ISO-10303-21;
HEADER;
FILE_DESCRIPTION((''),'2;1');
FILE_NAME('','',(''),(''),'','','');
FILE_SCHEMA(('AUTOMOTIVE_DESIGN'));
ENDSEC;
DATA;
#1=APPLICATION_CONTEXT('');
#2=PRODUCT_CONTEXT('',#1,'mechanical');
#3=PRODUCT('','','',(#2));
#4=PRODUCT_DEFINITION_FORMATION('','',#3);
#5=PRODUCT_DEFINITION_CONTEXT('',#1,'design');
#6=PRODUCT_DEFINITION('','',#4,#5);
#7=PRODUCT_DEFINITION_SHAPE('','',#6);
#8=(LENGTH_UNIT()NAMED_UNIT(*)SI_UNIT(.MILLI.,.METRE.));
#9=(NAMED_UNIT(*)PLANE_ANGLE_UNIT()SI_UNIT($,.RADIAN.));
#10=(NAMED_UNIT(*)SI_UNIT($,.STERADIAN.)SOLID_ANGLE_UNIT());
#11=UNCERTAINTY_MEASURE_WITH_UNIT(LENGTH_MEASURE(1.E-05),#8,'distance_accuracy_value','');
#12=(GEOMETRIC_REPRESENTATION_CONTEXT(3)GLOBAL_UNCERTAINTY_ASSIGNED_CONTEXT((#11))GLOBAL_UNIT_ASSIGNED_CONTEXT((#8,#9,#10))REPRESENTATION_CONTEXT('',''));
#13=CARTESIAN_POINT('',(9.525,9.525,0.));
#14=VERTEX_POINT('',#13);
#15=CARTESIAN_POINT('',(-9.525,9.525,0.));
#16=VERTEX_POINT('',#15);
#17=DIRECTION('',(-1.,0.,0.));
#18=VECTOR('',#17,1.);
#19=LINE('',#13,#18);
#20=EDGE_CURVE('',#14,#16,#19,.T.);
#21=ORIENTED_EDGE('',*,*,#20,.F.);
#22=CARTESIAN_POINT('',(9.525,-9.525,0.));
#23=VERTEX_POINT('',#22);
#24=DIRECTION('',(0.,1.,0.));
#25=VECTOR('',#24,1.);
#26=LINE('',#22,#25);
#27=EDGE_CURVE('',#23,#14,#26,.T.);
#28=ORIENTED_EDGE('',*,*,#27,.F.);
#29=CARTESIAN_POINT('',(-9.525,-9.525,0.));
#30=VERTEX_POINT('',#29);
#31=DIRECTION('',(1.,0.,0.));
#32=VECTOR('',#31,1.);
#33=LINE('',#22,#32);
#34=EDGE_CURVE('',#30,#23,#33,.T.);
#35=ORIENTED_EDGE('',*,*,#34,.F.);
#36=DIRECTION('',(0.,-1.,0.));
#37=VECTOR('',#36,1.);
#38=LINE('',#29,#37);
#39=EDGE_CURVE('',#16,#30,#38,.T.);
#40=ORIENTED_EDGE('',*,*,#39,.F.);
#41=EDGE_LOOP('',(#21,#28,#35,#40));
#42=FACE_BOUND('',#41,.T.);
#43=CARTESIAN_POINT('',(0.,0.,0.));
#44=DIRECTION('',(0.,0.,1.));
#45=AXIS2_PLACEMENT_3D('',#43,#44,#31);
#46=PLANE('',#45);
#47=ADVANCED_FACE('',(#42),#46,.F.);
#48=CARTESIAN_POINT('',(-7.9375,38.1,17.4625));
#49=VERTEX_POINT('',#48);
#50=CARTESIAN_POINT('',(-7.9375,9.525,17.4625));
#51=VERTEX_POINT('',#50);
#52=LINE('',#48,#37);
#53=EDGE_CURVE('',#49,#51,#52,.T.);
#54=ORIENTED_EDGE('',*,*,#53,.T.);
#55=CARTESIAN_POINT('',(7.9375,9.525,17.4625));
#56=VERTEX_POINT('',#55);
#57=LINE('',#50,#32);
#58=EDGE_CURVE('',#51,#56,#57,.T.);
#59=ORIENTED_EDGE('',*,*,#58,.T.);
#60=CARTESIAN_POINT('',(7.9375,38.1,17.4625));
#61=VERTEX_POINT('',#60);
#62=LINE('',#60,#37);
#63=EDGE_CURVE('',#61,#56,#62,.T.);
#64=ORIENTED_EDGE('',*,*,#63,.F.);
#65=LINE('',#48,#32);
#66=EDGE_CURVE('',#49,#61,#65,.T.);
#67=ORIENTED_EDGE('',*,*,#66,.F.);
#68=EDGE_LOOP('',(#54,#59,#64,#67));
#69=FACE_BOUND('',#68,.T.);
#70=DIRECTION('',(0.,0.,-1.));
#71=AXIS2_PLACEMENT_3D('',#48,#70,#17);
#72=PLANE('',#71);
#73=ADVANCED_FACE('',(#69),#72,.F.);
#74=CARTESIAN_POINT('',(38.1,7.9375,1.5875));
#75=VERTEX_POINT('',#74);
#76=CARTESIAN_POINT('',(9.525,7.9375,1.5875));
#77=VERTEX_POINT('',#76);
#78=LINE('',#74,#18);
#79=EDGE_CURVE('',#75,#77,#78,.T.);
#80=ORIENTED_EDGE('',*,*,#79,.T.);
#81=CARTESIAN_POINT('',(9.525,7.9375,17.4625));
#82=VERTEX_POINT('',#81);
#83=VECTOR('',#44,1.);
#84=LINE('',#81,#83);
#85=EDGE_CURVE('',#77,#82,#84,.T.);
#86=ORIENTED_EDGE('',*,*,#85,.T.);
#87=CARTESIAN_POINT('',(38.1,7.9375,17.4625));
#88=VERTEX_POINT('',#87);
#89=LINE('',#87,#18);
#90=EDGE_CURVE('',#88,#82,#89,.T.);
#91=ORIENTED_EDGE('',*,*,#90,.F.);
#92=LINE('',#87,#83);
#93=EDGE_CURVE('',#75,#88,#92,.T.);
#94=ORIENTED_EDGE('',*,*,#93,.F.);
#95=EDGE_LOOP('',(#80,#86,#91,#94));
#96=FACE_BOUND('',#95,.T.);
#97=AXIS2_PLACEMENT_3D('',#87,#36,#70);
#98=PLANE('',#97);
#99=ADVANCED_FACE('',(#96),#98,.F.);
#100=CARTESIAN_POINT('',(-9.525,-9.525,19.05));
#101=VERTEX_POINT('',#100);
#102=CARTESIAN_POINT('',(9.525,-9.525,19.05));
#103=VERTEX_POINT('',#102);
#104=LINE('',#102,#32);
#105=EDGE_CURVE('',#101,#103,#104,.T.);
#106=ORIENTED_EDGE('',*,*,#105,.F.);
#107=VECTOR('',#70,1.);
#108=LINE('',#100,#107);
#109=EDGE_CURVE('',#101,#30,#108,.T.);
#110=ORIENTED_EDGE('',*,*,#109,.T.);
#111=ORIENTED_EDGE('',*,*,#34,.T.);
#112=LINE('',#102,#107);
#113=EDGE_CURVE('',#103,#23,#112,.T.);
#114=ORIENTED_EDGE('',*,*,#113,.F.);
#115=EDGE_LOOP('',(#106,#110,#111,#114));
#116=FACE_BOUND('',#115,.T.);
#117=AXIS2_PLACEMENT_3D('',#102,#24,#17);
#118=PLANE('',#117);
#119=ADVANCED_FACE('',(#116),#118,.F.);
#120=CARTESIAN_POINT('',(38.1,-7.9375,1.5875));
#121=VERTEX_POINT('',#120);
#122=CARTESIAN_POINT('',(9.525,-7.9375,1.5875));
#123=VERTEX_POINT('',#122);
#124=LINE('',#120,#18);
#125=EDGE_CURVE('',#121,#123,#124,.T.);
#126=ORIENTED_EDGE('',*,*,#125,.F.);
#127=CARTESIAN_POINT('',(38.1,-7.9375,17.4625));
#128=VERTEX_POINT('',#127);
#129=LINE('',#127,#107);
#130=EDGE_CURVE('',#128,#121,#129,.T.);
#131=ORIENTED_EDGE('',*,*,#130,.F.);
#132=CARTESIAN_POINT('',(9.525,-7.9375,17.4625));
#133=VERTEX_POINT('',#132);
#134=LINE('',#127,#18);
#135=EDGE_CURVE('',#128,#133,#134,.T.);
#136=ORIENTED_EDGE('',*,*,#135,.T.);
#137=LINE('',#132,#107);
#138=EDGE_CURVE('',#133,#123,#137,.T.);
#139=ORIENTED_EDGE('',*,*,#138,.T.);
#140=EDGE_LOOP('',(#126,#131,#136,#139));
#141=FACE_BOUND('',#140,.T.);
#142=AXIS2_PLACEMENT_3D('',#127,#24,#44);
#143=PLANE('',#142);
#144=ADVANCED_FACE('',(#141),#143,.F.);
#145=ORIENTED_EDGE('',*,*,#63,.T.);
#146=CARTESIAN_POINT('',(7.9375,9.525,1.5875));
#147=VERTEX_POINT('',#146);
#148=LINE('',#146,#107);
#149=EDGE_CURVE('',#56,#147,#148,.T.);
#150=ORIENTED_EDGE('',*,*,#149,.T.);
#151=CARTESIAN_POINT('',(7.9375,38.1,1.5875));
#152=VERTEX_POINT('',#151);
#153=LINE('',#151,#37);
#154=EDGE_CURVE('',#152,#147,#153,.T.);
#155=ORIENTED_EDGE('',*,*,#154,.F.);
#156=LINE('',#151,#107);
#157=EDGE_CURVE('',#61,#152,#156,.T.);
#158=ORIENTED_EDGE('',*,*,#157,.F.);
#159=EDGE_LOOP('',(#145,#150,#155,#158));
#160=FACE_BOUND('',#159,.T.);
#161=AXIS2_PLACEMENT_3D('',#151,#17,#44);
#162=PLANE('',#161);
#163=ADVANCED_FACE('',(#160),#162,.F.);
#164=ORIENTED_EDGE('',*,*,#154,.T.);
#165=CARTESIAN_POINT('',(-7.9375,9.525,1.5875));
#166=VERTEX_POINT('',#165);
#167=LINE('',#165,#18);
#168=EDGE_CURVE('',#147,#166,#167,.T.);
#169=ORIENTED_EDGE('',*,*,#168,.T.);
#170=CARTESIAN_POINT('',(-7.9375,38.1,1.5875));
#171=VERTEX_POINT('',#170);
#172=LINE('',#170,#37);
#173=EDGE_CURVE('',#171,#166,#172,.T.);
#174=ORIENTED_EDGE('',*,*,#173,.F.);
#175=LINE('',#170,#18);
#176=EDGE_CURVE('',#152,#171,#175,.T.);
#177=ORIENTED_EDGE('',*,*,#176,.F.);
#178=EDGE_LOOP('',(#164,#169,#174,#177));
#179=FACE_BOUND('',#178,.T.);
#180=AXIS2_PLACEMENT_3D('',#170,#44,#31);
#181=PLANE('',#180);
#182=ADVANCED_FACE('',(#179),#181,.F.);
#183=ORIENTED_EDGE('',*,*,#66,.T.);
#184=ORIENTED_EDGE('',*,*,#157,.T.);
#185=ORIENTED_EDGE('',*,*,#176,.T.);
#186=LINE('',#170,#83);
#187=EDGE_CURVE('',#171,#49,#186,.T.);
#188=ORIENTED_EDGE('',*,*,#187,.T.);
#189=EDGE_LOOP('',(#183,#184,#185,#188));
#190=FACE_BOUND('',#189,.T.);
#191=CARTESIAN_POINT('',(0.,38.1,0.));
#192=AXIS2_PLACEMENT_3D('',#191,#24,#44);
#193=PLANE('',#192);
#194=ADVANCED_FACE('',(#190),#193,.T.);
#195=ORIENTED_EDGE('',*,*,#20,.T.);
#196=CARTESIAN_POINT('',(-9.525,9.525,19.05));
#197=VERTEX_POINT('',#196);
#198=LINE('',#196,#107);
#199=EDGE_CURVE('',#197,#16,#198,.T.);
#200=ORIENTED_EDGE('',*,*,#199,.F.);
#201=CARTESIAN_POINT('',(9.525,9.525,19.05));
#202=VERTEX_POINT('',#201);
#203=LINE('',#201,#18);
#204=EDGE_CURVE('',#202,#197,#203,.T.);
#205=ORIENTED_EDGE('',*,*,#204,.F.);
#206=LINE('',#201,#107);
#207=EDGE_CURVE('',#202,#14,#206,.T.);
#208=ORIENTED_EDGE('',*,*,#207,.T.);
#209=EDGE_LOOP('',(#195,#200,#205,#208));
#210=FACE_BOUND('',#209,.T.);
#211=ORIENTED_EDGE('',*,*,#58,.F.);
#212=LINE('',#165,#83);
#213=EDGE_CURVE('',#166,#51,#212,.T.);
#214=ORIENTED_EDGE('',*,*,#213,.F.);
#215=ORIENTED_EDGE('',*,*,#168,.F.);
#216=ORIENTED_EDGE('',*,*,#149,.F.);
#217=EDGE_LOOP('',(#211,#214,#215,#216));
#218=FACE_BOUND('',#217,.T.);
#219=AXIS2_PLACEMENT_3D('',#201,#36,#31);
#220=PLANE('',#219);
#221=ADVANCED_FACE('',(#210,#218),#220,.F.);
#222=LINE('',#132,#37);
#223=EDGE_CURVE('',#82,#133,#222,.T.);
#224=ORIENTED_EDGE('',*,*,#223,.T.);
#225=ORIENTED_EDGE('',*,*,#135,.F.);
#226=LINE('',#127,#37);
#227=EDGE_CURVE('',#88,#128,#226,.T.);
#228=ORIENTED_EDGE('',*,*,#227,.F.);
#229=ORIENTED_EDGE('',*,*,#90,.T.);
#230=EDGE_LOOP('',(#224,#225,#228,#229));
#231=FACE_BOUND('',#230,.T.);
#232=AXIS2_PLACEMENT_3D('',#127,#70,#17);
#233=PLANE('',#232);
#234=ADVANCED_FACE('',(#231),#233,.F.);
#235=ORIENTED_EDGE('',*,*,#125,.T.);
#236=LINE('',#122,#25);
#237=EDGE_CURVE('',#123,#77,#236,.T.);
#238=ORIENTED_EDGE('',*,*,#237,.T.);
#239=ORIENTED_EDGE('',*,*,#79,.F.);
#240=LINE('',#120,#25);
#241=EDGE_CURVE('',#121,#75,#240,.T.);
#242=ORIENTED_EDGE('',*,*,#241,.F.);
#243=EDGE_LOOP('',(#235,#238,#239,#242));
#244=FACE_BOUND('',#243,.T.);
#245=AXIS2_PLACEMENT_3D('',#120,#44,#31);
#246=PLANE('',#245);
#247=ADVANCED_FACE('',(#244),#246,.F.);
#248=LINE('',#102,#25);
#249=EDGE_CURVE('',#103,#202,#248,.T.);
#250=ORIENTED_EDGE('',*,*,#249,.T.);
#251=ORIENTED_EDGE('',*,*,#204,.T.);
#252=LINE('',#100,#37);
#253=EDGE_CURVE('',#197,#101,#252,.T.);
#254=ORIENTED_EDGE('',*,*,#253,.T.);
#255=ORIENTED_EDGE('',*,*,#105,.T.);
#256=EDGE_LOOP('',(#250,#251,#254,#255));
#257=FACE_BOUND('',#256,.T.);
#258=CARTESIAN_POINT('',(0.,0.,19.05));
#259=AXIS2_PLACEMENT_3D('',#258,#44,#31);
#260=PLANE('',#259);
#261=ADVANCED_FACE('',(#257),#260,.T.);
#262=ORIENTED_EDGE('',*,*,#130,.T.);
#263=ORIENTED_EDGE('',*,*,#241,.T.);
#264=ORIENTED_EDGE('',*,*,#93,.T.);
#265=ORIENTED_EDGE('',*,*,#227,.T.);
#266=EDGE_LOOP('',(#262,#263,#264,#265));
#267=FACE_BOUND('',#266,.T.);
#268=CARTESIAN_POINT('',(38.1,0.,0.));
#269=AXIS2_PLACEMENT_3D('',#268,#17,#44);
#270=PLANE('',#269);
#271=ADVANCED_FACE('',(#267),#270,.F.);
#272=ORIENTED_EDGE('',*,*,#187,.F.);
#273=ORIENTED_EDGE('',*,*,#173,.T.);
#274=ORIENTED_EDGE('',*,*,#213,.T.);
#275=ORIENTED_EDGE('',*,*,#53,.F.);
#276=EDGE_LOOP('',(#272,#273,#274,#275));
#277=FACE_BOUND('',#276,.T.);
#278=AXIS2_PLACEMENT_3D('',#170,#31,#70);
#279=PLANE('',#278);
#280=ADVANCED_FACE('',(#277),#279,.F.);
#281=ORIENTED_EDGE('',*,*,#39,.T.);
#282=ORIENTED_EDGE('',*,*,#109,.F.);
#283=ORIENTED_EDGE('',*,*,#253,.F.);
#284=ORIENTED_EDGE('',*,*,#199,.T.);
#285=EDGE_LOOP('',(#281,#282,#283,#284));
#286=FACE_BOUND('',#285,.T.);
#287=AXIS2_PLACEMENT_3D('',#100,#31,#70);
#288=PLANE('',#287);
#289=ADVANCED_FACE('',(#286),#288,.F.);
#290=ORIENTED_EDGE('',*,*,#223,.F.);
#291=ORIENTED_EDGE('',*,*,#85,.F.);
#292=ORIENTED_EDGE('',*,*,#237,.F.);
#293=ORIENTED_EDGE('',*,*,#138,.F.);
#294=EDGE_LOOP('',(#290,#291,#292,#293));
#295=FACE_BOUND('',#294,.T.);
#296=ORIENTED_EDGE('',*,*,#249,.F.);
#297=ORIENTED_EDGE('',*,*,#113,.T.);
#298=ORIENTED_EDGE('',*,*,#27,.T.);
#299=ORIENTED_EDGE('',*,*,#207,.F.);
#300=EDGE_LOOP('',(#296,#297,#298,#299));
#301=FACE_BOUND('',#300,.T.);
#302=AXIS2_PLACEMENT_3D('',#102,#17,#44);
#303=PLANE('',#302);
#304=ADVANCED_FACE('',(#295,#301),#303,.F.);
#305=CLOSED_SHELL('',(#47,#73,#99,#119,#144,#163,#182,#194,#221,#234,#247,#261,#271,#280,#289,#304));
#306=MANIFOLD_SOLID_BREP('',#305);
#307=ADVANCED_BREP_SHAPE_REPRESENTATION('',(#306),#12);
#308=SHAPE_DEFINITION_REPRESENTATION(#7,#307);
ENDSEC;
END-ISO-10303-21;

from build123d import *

# Parameters (mm, degrees)
SKETCH1_W           = 19.05
SKETCH1_H           = 19.05
BOSS_EXTRUDE1_DEPTH = 19.05
SKETCH2_W           = 15.875
SKETCH2_H           = 15.875
BOSS_EXTRUDE2_DEPTH = 28.575
SKETCH3_W           = 15.875
SKETCH3_H           = 15.875
BOSS_EXTRUDE3_DEPTH = 28.575


with BuildPart() as part:
    # Sketch1 → Boss-Extrude1 (new body)
    with BuildSketch(Plane.XY):
        Rectangle(SKETCH1_W, SKETCH1_H)
    extrude(amount=BOSS_EXTRUDE1_DEPTH)

    # Sketch2 → Boss-Extrude2 (add)
    with BuildSketch(Plane(origin=(0, 9.525, 0), x_dir=(1, 0, 0), z_dir=(0, 1, 0))):
        with Locations((0, -9.525)):
            Rectangle(SKETCH2_W, SKETCH2_H)
    extrude(amount=BOSS_EXTRUDE2_DEPTH)

    # Sketch3 → Boss-Extrude3 (add)
    with BuildSketch(Plane(origin=(9.525, 0, 0), x_dir=(0, 0, -1), z_dir=(1, 0, 0))):
        with Locations((-9.525, 0)):
            Rectangle(SKETCH3_W, SKETCH3_H)
    extrude(amount=BOSS_EXTRUDE3_DEPTH)


solid = part.part
